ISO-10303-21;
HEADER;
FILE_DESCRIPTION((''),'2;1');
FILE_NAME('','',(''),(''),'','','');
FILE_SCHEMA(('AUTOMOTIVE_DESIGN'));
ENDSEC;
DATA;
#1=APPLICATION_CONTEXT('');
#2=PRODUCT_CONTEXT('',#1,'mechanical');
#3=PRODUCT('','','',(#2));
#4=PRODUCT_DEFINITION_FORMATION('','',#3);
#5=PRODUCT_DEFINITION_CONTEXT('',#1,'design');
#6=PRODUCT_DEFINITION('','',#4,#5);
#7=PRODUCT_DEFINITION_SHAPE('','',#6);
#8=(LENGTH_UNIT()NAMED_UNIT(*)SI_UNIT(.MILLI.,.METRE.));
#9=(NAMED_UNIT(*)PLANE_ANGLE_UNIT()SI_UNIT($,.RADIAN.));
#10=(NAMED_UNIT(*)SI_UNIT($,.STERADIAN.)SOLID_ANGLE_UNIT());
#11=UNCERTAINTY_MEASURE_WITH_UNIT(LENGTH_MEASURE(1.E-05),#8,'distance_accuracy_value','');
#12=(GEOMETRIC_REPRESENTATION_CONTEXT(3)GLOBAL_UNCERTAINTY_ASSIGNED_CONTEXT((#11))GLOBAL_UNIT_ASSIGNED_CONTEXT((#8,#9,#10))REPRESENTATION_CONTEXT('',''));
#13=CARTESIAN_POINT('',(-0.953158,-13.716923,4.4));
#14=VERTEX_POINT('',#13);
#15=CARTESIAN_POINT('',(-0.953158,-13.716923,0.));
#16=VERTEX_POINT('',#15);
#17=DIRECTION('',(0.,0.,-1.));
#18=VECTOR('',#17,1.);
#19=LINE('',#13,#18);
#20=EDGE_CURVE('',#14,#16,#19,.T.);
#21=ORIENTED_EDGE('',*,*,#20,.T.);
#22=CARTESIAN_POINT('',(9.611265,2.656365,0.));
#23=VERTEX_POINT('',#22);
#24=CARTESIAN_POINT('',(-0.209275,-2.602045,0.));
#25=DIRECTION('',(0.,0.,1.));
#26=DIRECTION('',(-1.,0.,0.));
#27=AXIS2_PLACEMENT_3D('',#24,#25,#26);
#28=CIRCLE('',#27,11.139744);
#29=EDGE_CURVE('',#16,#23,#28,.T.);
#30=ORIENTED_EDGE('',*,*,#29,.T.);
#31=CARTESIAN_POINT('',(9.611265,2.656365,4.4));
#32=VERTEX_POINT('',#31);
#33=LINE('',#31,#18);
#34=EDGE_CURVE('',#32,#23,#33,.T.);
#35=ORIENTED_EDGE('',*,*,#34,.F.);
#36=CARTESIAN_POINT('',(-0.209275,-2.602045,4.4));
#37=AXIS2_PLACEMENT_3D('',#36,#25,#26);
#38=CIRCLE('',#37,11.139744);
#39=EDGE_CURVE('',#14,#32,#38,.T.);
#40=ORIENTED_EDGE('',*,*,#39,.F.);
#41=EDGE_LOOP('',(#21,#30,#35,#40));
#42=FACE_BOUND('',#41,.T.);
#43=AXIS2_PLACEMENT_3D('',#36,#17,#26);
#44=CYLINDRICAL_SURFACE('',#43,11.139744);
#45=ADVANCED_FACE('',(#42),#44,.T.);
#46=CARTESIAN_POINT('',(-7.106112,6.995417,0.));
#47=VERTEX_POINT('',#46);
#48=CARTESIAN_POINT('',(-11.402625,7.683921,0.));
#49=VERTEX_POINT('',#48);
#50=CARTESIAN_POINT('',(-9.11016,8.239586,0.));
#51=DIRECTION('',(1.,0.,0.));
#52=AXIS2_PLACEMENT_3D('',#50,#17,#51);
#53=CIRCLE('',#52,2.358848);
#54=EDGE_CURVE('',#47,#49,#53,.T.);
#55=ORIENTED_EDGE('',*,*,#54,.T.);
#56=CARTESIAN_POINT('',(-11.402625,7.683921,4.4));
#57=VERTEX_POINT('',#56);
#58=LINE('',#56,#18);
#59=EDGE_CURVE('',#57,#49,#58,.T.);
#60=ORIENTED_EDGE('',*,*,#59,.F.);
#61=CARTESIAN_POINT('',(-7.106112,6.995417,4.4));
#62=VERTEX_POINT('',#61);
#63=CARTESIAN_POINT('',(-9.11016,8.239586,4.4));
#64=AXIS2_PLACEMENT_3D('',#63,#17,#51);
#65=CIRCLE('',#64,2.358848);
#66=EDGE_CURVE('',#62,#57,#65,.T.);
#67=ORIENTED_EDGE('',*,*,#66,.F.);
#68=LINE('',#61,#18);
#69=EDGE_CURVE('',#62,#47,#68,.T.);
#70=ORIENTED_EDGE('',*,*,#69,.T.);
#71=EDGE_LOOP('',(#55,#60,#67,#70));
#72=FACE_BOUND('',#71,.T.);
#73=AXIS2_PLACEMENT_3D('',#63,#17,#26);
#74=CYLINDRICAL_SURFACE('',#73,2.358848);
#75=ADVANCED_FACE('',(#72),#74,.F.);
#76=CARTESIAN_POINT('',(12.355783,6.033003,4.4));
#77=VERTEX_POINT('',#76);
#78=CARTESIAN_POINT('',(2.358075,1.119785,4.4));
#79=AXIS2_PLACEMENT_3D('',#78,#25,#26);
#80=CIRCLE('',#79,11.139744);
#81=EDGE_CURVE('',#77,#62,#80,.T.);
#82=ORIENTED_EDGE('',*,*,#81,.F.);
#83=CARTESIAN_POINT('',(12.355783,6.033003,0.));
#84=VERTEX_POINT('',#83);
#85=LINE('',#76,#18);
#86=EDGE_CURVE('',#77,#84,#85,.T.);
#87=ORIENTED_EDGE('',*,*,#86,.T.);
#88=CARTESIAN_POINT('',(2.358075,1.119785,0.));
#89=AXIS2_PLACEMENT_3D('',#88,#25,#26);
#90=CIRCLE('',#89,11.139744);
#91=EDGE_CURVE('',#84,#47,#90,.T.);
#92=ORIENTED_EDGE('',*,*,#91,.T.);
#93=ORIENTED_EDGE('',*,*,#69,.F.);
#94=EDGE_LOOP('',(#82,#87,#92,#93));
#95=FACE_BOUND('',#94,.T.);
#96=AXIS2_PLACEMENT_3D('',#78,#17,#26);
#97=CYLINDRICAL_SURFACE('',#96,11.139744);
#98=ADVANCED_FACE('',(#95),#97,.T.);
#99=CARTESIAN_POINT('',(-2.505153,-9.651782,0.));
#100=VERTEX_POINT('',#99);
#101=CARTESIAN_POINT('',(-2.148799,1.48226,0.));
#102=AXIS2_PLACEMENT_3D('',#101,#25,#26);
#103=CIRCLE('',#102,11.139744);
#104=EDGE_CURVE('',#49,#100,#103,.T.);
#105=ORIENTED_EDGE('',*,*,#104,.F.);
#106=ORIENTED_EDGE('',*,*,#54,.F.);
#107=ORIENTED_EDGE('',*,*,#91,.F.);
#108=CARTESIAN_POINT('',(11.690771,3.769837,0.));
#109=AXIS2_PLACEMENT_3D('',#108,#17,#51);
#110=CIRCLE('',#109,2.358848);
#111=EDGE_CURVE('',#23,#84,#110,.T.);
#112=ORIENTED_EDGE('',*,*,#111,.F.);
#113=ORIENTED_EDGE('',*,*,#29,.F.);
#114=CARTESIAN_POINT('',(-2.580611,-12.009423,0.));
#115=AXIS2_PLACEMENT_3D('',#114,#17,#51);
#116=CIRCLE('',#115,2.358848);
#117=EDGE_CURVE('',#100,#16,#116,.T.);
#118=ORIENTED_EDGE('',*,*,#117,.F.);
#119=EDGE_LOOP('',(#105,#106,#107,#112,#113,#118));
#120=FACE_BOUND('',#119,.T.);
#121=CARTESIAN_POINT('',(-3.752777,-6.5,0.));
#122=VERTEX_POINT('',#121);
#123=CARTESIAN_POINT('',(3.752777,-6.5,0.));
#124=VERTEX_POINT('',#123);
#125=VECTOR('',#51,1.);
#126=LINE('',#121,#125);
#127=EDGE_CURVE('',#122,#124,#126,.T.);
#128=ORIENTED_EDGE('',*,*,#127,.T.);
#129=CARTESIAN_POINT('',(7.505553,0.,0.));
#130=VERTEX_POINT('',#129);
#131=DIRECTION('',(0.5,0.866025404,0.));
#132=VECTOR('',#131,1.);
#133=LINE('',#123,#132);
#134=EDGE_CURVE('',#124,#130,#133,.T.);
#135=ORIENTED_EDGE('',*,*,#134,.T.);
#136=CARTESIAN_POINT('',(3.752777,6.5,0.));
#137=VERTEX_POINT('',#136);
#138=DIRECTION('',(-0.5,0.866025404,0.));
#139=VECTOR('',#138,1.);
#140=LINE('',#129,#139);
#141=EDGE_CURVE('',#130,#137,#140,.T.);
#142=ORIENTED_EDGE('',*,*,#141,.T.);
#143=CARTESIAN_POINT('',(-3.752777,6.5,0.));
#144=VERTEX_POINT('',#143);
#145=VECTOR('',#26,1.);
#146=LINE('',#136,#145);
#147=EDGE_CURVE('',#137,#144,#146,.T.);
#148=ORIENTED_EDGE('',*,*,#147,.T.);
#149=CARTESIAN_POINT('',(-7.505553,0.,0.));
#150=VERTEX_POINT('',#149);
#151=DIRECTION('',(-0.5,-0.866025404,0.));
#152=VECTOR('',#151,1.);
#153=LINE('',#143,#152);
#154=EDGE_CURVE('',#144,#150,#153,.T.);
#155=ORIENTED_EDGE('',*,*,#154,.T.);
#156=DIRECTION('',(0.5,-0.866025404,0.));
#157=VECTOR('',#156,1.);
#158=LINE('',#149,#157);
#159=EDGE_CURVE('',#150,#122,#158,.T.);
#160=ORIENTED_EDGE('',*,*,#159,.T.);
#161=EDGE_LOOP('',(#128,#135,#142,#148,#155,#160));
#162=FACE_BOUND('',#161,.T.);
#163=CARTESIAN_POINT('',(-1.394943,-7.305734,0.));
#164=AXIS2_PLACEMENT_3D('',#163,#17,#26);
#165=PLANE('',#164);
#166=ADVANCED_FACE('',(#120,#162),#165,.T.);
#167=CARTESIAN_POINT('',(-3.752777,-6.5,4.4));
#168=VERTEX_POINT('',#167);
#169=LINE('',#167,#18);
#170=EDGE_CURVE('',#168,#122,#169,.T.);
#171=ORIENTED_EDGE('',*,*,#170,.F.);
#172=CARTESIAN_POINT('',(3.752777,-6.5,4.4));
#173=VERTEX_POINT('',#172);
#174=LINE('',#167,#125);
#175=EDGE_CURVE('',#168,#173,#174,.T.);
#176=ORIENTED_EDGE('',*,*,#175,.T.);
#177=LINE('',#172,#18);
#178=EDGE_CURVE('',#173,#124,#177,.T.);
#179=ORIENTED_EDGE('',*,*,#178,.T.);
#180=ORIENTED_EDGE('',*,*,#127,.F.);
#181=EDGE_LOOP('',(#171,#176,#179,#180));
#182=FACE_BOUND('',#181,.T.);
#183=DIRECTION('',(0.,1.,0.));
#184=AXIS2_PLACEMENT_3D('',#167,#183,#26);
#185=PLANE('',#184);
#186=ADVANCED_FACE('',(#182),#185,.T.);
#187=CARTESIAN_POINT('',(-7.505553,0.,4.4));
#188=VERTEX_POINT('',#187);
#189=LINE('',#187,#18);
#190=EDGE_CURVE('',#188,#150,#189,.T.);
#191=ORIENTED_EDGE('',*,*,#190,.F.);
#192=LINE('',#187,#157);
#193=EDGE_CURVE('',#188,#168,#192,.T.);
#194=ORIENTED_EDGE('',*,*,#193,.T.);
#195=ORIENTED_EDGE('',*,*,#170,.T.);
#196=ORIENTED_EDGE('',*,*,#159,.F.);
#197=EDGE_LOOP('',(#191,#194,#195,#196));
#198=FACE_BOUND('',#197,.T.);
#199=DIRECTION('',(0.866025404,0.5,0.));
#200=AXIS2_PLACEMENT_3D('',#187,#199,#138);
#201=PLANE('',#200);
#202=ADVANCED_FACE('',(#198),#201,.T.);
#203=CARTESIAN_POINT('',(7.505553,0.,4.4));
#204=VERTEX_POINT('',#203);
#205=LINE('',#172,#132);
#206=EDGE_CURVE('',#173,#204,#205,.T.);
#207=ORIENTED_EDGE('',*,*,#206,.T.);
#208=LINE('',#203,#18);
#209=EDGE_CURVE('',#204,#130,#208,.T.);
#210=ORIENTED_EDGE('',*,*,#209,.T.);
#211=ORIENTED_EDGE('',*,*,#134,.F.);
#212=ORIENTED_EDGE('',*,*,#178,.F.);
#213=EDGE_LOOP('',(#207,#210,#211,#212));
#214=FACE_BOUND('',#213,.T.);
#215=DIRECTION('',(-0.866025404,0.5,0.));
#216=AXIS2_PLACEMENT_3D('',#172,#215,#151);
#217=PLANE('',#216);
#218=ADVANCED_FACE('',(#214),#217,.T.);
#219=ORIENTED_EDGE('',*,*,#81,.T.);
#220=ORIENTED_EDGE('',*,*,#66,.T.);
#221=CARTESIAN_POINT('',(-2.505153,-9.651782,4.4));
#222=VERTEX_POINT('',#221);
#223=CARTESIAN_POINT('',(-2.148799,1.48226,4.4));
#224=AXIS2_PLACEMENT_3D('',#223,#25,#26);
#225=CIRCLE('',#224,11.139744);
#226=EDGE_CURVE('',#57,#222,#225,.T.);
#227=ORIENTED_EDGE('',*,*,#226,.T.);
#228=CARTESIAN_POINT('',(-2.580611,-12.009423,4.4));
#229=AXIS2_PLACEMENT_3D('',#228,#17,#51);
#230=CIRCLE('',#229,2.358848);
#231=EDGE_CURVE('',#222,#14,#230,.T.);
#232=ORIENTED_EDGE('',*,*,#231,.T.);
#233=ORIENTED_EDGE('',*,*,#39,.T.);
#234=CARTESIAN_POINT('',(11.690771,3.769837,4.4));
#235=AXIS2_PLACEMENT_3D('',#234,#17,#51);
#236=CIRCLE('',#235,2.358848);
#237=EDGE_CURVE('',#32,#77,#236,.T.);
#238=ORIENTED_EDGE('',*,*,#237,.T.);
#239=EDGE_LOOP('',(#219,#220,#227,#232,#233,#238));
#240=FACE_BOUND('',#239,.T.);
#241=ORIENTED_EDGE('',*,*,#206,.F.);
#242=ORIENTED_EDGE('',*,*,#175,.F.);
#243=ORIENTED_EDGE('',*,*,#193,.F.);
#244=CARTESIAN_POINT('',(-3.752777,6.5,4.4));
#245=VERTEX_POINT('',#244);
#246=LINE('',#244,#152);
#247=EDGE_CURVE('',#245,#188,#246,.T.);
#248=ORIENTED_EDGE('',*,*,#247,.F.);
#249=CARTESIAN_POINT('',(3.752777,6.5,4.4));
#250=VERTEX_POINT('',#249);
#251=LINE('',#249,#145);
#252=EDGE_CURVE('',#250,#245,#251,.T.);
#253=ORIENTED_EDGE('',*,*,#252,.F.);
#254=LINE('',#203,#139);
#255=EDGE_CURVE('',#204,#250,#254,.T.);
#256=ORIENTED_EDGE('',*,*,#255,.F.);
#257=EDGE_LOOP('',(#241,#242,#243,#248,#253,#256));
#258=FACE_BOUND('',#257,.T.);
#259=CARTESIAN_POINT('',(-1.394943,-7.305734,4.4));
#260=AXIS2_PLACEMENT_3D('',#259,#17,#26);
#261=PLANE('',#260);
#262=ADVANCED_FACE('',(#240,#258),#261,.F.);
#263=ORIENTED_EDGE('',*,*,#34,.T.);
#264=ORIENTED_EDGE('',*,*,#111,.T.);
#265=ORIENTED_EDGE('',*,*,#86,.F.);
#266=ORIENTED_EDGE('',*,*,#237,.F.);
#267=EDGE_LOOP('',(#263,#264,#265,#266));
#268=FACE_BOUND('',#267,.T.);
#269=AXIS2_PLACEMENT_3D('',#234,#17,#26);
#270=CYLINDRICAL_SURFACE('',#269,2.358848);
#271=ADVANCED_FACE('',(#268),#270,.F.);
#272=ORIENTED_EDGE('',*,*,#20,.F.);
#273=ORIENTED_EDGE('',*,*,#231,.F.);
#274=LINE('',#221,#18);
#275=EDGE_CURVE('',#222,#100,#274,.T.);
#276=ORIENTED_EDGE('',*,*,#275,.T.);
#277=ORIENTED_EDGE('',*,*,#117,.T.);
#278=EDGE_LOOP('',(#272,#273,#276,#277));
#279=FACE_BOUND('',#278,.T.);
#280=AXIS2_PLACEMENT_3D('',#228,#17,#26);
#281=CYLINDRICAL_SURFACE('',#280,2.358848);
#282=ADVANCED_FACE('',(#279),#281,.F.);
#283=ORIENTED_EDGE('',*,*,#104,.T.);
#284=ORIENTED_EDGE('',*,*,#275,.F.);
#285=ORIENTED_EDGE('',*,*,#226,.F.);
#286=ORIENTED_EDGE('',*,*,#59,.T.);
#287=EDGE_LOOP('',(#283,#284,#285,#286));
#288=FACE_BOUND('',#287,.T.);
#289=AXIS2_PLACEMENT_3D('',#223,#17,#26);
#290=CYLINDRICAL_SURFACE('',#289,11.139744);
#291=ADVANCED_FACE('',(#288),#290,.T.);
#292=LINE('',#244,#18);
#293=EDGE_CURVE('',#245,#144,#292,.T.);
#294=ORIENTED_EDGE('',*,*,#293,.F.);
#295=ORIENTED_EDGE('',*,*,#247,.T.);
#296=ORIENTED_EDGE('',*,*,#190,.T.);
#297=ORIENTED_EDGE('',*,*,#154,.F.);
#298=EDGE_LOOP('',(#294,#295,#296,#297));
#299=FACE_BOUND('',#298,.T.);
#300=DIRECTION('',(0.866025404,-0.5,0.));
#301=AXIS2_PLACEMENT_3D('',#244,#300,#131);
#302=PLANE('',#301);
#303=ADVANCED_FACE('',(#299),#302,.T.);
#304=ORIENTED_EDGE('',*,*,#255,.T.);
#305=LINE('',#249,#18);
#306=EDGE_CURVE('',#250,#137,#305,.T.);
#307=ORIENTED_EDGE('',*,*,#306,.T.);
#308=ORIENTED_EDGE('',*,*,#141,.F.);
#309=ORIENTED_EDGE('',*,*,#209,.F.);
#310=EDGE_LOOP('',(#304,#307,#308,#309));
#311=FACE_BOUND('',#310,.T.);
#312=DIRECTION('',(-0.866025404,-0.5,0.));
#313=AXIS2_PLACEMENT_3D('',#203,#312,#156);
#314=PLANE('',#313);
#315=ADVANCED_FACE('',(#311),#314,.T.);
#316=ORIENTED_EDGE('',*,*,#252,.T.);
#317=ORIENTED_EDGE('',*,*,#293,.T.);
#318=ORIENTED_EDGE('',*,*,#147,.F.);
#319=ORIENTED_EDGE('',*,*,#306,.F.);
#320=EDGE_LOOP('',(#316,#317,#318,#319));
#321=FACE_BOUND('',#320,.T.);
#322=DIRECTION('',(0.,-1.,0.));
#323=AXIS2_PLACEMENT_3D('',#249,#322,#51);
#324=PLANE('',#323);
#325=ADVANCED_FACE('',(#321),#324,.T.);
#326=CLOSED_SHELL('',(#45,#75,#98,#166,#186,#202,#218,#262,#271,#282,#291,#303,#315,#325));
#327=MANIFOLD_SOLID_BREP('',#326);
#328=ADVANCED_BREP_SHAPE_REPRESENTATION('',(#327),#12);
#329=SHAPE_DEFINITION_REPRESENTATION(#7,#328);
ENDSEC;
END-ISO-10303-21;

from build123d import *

# Parameters (mm, degrees)
BOSS_EXTRUDE1_DEPTH = 4.4


with BuildPart() as part:
    # Sketch1 → Boss-Extrude1 (new body)
    with BuildSketch(Plane.XY):
        with BuildLine():
            ThreePointArc((-7.106112246, 6.995417074), (2.908276026, 12.245932527), (12.355783111, 6.033002876))
            ThreePointArc((12.355783111, 6.033002876), (9.860301204, 5.257635244), (9.611265019, 2.65636519))
            ThreePointArc((9.611265019, 2.65636519), (9.151150649, -8.641607183), (-0.953157804, -13.716923496))
            ThreePointArc((-0.953157804, -13.716923496), (-0.376904917, -11.168088953), (-2.505152773, -9.651782264))
            ThreePointArc((-2.505152773, -9.651782264), (-12.059426674, -3.604325344), (-11.402625308, 7.68392062))
            ThreePointArc((-11.402625308, 7.68392062), (-9.483396287, 5.910453709), (-7.106112246, 6.995417074))
        make_face()
        Polygon((7.505553499, 0), (3.75277675, 6.5), (-3.75277675, 6.5), (-7.505553499, 0), (-3.75277675, -6.5), (3.75277675, -6.5), align=None, mode=Mode.SUBTRACT)
    extrude(amount=BOSS_EXTRUDE1_DEPTH)


solid = part.part
